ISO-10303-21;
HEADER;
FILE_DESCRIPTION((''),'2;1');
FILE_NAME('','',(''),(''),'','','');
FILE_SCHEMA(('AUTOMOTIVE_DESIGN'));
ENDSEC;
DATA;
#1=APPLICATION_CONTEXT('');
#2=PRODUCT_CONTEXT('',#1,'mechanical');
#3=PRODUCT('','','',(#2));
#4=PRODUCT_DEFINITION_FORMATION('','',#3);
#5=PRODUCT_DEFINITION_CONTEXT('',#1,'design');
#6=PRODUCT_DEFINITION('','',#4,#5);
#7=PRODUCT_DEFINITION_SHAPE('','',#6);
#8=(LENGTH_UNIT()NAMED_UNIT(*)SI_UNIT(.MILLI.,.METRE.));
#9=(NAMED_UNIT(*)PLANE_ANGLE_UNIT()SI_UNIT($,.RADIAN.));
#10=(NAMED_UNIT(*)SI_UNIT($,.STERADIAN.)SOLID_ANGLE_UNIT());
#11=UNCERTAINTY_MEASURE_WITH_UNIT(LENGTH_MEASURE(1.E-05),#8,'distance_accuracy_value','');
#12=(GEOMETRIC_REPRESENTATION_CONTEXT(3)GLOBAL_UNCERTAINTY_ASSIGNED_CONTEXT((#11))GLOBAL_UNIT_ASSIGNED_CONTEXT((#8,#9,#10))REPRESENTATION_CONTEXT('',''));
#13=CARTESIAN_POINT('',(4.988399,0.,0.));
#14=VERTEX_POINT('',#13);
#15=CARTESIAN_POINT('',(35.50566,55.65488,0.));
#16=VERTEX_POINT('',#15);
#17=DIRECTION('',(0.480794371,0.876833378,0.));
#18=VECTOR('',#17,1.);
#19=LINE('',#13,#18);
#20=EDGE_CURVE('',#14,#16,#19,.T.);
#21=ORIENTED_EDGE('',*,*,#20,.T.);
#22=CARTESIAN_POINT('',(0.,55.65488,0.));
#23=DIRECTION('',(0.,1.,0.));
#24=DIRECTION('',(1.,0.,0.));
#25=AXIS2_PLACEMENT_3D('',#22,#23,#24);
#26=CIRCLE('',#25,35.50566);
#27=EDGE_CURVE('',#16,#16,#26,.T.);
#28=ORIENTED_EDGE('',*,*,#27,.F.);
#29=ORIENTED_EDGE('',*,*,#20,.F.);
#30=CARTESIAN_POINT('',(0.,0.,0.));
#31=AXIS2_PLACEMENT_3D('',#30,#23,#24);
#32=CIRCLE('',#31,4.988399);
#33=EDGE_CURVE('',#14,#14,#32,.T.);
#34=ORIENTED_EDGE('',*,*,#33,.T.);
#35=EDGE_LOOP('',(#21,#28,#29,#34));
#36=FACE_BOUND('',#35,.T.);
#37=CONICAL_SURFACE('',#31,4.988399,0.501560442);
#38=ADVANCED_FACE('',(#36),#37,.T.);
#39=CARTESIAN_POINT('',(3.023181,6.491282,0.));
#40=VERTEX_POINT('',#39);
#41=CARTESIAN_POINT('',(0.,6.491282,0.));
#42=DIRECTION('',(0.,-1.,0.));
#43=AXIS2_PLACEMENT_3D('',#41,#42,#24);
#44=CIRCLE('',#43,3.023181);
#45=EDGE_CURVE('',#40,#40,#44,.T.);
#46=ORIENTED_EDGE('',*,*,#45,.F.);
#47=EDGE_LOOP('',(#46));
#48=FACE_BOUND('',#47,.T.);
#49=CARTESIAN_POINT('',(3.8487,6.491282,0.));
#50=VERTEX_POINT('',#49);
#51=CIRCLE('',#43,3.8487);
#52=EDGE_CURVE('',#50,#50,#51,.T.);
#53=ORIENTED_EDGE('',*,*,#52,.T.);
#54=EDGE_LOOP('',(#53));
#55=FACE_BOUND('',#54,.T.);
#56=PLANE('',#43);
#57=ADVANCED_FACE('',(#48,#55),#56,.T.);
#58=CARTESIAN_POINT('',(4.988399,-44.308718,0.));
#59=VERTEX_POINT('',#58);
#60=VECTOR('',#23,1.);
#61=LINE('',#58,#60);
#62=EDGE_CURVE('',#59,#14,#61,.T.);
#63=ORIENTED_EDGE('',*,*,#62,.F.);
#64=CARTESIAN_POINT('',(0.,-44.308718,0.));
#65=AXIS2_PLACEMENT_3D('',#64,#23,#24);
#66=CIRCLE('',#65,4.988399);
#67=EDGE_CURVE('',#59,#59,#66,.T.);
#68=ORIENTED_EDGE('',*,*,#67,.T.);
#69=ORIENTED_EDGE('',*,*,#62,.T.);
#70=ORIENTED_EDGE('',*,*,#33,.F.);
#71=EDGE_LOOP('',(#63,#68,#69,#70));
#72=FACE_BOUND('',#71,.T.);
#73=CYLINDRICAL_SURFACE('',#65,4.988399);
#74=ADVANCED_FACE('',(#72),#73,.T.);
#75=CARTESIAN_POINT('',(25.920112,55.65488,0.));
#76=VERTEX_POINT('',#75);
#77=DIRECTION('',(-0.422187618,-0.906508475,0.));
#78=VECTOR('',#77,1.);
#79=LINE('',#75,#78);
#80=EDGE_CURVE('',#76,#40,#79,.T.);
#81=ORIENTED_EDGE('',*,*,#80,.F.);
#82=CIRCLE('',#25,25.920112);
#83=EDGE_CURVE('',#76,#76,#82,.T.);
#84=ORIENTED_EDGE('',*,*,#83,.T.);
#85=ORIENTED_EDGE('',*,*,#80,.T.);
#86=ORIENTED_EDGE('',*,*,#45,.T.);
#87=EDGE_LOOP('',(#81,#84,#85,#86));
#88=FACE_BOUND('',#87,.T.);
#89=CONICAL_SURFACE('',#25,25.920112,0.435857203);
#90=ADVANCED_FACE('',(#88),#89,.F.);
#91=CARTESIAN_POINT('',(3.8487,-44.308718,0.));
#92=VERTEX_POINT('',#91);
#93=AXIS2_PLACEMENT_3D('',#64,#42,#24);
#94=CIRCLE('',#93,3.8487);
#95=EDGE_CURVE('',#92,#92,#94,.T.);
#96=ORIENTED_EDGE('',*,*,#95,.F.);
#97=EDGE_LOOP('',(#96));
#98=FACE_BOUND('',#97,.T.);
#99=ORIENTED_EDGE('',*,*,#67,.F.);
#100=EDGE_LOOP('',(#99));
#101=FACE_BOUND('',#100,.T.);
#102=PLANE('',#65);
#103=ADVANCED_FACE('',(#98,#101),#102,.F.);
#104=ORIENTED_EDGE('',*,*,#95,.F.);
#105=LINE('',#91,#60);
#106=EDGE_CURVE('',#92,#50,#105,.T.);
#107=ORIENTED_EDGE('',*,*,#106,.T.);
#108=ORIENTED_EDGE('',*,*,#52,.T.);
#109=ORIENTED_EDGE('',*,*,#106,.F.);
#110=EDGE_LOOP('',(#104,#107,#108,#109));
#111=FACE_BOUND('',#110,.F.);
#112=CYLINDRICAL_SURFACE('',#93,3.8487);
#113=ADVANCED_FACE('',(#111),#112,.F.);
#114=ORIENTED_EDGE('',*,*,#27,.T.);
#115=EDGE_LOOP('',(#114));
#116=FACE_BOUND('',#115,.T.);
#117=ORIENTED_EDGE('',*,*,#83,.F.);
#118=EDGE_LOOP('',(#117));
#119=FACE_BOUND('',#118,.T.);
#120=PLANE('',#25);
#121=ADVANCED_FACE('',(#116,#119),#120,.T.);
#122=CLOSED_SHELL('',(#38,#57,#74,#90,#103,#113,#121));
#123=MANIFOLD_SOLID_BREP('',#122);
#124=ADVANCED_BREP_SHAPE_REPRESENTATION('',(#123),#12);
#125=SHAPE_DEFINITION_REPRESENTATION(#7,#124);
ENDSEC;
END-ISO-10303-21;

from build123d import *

# Parameters (mm, degrees)
F2_R     = 3.8487
F3_DEPTH = 50.8


with BuildPart() as f1:
    # F0 (on Top) → F1 (revolve)
    with BuildSketch(Plane.XY):
        Polygon((35.50566, 55.65488), (25.920112, 55.65488), (0, 0), (0, -44.308718), (4.988399, -44.308718), (4.988399, 0), align=None)
    revolve(axis=Axis((0, -22.154359, 0), (0, 1, 0)))

    # F2 (on face) → F3 (cut)
    with BuildSketch(Plane.XZ.offset(44.308718)):
        Circle(F2_R)
    extrude(amount=-F3_DEPTH, mode=Mode.SUBTRACT)


solid = f1.part
